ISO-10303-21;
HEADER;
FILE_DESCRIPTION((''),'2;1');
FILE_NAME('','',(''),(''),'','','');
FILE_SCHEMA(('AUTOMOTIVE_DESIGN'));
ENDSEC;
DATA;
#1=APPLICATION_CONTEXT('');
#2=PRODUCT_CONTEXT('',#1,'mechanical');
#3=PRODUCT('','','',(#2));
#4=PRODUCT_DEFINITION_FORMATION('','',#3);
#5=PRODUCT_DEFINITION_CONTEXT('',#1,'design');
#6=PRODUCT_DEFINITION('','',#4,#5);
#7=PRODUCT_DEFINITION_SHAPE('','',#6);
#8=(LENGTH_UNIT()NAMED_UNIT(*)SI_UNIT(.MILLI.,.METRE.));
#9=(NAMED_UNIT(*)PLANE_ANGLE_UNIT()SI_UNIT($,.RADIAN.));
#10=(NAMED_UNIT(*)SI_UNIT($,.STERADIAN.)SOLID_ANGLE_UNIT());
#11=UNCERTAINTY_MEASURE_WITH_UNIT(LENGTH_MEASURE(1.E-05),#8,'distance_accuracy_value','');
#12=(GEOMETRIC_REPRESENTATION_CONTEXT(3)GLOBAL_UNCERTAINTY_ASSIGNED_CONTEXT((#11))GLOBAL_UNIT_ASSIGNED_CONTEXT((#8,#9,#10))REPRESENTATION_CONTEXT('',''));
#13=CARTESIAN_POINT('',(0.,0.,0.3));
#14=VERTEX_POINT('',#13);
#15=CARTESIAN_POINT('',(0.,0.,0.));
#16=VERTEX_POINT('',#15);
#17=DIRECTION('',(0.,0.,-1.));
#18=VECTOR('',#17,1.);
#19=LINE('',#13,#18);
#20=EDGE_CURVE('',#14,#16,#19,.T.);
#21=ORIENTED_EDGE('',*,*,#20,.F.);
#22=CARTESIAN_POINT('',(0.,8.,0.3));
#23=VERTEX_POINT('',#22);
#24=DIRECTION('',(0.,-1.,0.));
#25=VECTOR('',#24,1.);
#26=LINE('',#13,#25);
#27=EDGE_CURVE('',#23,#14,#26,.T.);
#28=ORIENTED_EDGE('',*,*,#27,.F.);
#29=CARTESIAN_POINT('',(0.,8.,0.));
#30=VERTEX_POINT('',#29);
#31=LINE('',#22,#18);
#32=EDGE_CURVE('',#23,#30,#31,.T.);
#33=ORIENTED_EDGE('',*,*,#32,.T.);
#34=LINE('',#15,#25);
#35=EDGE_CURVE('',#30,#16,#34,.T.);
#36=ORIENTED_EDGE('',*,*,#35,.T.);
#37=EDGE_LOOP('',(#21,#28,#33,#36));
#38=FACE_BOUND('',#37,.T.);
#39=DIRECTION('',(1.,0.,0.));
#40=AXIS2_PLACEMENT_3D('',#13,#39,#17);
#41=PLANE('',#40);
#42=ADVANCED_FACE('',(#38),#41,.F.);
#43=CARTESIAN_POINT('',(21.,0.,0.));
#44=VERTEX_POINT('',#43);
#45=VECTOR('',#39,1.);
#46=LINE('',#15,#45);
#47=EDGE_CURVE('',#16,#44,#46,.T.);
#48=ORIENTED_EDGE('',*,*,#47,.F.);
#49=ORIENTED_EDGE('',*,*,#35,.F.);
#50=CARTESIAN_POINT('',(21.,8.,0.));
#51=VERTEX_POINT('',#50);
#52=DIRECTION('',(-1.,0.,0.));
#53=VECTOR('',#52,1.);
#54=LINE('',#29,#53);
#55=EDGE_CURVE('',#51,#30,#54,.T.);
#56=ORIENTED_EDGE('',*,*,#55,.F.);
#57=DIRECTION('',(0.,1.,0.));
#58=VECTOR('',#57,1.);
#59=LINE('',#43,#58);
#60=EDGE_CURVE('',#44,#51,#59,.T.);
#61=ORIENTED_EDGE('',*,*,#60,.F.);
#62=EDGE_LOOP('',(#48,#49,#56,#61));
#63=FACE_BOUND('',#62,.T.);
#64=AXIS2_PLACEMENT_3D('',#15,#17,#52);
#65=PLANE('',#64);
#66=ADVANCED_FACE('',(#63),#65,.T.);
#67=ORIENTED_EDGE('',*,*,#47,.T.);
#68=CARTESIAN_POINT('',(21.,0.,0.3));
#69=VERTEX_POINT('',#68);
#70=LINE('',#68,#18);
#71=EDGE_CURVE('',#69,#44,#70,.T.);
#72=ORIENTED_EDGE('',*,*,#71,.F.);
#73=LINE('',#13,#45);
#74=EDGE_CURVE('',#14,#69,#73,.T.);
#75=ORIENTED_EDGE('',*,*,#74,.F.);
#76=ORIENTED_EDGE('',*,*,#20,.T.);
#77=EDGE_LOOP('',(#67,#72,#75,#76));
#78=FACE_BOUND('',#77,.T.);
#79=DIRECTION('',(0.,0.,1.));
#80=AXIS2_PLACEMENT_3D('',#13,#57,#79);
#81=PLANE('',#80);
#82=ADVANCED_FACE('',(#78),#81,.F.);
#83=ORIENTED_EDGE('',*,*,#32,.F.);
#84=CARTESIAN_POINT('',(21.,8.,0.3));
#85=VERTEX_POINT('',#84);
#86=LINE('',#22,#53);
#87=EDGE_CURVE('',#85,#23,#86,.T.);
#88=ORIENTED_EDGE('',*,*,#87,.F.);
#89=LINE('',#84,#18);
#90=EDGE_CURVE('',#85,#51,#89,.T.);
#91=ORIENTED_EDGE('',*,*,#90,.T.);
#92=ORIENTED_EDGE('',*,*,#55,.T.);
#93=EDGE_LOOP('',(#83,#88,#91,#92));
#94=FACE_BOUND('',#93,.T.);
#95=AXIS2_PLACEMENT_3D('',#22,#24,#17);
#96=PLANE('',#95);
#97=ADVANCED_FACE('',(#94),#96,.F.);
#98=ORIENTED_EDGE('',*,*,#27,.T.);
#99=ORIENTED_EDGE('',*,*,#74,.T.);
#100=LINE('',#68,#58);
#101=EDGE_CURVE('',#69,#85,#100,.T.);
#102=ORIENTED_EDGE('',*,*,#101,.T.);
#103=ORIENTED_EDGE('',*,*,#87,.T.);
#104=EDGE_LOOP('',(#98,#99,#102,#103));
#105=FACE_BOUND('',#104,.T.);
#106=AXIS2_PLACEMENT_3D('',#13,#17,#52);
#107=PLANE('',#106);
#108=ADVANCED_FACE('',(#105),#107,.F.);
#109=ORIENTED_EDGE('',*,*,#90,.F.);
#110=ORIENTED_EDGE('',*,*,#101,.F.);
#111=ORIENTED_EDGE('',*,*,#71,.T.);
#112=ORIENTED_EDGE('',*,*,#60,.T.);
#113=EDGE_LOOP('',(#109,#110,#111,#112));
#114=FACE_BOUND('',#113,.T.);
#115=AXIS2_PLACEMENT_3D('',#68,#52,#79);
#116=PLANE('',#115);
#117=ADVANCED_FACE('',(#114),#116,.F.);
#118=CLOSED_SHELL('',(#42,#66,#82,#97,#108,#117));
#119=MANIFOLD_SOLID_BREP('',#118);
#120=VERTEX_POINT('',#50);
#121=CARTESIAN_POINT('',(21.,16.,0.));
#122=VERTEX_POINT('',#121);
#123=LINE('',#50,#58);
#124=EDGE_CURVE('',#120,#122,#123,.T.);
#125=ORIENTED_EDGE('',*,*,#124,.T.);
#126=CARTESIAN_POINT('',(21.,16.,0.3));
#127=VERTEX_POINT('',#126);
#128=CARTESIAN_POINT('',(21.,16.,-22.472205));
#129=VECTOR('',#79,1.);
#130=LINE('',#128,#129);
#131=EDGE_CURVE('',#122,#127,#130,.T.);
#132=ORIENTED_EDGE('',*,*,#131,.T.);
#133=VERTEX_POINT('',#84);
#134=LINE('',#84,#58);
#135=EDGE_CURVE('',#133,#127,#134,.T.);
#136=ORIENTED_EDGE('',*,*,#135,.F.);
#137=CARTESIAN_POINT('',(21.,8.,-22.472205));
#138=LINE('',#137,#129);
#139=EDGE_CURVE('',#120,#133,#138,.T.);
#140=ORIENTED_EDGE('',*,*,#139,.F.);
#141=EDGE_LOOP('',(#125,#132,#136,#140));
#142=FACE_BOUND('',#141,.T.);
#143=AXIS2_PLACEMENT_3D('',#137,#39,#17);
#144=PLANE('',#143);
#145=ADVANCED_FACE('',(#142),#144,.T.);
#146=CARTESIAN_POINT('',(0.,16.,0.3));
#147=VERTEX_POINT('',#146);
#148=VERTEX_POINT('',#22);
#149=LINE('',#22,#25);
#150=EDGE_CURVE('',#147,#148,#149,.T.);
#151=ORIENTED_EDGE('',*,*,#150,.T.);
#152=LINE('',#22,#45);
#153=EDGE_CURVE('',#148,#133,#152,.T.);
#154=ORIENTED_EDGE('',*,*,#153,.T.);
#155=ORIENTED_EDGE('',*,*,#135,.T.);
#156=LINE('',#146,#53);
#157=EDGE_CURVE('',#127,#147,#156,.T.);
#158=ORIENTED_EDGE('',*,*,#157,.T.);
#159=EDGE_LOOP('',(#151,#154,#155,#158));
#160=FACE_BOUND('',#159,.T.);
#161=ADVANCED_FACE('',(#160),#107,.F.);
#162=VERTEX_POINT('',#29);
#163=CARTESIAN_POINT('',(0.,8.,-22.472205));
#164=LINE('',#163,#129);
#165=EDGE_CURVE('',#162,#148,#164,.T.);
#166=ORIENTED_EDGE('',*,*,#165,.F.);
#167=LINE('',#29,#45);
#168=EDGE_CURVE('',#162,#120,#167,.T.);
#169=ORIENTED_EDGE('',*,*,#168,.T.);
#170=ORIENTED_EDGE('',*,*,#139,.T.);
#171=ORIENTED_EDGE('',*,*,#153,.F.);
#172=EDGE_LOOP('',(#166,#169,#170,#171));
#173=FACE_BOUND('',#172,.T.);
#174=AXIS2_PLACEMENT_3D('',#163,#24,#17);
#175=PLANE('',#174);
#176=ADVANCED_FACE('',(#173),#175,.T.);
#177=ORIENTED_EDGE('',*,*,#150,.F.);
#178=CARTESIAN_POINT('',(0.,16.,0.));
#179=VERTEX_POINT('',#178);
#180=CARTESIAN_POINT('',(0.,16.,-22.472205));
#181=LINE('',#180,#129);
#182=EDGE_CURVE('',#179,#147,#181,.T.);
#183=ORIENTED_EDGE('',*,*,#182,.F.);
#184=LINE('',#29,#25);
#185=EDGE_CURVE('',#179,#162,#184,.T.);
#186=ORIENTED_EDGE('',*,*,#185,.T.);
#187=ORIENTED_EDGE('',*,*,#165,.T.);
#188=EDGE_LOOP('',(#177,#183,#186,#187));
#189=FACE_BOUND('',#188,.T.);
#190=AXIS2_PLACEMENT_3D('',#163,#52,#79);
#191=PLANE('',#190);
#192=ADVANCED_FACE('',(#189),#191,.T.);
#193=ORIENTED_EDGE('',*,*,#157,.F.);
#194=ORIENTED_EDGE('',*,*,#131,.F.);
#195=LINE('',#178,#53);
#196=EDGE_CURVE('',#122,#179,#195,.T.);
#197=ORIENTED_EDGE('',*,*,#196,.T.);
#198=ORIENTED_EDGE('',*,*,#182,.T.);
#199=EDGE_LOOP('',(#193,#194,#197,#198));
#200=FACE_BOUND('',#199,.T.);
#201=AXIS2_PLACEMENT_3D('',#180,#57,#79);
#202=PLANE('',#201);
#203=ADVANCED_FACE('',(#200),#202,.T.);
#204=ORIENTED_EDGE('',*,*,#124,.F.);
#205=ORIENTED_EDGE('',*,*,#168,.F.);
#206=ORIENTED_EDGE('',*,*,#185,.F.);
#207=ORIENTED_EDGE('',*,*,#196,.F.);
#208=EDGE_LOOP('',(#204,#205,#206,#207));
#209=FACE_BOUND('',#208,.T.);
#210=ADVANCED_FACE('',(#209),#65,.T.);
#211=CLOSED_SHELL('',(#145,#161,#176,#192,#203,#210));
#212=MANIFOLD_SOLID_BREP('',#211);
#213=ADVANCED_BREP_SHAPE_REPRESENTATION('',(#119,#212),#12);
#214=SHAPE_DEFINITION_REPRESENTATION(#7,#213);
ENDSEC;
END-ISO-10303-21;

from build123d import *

# Parameters (mm, degrees)
CROQUIS1_W              = 21
CROQUIS1_H              = 8
SALIENTE_EXTRUIR1_DEPTH = 0.3
CROQUIS2_W              = 21
CROQUIS2_H              = 8
SALIENTE_EXTRUIR2_DEPTH = 0.3


with BuildPart() as part:
    # Croquis1 → Saliente-Extruir1 (new body)
    with BuildSketch(Plane.XY):
        with Locations((10.5, 4)):
            Rectangle(CROQUIS1_W, CROQUIS1_H)
    extrude(amount=SALIENTE_EXTRUIR1_DEPTH)


with BuildPart() as body_2:
    # Croquis2 → Saliente-Extruir2 (new body)
    with BuildSketch(Plane.XY.offset(0.3)):
        with Locations((10.5, 12)):
            Rectangle(CROQUIS2_W, CROQUIS2_H)
    extrude(amount=-SALIENTE_EXTRUIR2_DEPTH)


solid = Compound([part.part, body_2.part])
